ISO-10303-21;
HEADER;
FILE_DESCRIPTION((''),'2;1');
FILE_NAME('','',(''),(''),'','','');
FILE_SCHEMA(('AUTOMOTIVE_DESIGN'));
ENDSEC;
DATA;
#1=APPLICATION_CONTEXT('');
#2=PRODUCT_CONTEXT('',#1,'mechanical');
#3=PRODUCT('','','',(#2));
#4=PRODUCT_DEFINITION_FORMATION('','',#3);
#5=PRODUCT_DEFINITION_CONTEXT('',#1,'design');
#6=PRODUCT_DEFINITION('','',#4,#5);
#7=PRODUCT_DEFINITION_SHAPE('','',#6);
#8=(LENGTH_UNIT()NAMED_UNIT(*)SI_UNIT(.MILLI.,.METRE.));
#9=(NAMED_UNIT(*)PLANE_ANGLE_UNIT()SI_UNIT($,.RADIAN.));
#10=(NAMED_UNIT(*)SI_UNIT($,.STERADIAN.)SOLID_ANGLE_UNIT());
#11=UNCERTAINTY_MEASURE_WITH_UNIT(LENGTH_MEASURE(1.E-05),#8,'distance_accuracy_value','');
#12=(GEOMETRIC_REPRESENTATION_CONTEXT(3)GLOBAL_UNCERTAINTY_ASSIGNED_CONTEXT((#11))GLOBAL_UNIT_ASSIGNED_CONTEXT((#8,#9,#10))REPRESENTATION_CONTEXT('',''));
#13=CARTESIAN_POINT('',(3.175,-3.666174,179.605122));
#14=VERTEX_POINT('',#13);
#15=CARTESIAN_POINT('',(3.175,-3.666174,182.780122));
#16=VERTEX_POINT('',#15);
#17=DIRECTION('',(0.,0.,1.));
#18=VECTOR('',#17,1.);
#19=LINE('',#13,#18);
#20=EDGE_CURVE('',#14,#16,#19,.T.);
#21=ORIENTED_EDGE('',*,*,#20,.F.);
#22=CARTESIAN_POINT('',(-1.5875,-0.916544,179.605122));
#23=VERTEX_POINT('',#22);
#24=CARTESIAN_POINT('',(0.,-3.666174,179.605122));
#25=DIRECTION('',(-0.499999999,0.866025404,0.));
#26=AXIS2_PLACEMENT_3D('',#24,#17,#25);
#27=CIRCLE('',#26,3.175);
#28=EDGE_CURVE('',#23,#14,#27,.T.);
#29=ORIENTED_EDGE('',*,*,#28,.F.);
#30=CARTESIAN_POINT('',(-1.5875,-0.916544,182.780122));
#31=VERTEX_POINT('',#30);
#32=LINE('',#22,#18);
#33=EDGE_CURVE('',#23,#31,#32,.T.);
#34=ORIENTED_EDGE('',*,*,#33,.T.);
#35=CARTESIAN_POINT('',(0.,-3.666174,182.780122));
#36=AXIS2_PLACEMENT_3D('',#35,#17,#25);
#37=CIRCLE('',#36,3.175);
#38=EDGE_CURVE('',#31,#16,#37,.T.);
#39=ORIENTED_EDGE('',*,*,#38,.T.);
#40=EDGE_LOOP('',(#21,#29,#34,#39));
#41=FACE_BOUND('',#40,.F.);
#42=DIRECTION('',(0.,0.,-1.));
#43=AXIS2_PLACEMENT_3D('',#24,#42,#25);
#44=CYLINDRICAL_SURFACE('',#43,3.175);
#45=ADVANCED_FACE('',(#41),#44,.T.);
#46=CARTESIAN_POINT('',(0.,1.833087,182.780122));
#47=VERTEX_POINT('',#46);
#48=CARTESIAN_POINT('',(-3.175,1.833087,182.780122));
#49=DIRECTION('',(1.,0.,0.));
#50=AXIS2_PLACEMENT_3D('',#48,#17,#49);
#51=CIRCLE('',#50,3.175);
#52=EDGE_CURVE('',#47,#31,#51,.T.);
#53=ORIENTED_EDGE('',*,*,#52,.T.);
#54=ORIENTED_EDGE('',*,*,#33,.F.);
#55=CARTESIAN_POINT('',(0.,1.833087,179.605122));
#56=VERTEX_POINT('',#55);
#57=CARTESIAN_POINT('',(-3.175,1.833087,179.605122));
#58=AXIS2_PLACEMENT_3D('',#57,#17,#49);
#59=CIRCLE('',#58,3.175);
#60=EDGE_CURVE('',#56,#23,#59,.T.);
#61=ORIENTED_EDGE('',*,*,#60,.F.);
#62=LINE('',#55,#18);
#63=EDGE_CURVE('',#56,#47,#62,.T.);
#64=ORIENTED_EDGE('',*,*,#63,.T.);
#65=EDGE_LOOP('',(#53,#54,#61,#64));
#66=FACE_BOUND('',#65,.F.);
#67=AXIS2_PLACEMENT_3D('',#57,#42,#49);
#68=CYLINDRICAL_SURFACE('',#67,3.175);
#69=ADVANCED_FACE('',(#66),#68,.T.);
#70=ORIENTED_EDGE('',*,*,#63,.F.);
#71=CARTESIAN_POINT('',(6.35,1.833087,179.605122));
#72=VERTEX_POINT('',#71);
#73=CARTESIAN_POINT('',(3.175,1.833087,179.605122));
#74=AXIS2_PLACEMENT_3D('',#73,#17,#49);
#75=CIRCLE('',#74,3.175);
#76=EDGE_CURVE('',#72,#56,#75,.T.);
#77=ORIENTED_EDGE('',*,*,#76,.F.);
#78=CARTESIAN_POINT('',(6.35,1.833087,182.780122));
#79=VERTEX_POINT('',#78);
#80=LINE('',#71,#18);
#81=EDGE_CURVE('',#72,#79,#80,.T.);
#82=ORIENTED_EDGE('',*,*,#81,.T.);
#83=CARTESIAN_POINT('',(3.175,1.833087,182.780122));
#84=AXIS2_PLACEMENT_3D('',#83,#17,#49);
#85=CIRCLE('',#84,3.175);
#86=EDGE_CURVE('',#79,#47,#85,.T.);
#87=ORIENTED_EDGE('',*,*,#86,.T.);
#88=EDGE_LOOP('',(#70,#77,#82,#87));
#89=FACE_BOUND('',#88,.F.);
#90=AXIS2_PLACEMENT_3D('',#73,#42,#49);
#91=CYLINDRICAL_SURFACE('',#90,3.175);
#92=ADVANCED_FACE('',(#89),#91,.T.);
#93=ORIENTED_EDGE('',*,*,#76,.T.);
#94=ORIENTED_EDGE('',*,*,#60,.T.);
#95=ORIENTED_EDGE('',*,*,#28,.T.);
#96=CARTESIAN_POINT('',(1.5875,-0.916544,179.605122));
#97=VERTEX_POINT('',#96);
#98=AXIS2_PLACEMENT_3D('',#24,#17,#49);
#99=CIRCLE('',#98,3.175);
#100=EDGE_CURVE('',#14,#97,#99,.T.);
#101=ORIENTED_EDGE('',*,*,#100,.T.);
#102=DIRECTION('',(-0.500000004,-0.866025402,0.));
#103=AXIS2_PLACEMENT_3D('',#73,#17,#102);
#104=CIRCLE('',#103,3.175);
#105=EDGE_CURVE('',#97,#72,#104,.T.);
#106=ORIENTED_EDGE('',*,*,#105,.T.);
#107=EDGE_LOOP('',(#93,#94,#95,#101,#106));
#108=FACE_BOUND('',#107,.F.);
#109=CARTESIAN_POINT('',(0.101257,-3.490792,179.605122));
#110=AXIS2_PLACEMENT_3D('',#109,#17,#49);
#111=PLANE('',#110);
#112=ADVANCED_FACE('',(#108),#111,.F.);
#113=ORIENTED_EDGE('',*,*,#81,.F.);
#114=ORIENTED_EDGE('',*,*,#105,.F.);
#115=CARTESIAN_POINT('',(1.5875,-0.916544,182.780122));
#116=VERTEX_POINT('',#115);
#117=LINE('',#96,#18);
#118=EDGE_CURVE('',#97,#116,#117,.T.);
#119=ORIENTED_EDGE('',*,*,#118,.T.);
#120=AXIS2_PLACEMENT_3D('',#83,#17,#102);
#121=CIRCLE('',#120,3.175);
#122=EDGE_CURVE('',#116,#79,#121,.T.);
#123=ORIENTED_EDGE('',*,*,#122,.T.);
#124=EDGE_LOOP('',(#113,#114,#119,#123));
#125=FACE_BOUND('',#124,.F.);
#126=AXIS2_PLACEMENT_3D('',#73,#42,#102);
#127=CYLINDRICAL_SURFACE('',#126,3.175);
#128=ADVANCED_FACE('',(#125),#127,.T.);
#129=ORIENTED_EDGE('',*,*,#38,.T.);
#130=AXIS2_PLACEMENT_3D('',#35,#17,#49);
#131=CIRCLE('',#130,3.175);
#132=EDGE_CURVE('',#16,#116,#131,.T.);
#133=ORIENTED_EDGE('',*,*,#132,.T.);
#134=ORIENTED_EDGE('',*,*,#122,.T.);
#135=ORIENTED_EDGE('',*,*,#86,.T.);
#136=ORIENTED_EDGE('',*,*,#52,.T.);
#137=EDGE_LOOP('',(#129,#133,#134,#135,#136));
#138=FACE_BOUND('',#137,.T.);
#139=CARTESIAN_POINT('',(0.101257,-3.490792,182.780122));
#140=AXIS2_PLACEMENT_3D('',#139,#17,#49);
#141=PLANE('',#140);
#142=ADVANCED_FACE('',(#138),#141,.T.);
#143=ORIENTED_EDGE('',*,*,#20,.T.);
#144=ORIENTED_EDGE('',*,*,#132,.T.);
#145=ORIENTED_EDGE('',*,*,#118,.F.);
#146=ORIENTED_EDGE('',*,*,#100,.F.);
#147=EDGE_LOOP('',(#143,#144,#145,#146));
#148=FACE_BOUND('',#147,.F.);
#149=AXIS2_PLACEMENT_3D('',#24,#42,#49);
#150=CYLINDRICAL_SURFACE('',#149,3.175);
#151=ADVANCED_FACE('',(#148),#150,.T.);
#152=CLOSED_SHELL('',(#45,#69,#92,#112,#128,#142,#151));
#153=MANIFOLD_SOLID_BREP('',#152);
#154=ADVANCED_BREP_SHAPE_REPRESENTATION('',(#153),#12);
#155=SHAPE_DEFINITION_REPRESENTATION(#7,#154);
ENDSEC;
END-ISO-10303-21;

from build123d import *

# Parameters (mm, degrees)
F12_DEPTH = 3.175


with BuildPart() as f12:
    # F10 (on plane+point) → F12 (new body)
    with BuildSketch(Plane.XY.offset(179.6051224214)):
        with BuildLine():
            ThreePointArc((-1.5874999976, -0.9165435509), (-1.5875000012, -6.4158048657), (3.175, -3.6661742094))
            ThreePointArc((3.175, -3.6661742094), (2.7496306536, -2.0786742034), (1.5874999882, -0.9165435455))
            ThreePointArc((1.5874999882, -0.9165435455), (-5.4e-09, -0.4911742094), (-1.5874999976, -0.9165435509))
        make_face()
        with BuildLine():
            ThreePointArc((-1.5874999976, -0.9165435509), (-5.4e-09, -0.4911742094), (1.5874999882, -0.9165435455))
            ThreePointArc((1.5874999882, -0.9165435455), (0.4253693396, 0.2455871106), (0, 1.8330871047))
            ThreePointArc((0, 1.8330871047), (-0.4253693423, 0.2455871059), (-1.5874999976, -0.9165435509))
        make_face()
        with BuildLine():
            ThreePointArc((0, 1.8330871047), (0.4253693396, 0.2455871106), (1.5874999882, -0.9165435455))
            ThreePointArc((1.5874999882, -0.9165435455), (4.7624999941, -0.9165435558), (6.35, 1.8330871047))
            ThreePointArc((6.35, 1.8330871047), (3.175, 5.0080871047), (0, 1.8330871047))
        make_face()
        with BuildLine():
            ThreePointArc((0, 1.8330871047), (-5.9246306577, 3.4205871035), (-1.5874999976, -0.9165435509))
            ThreePointArc((-1.5874999976, -0.9165435509), (-0.4253693423, 0.2455871059), (0, 1.8330871047))
        make_face()
    extrude(amount=F12_DEPTH)


solid = f12.part
